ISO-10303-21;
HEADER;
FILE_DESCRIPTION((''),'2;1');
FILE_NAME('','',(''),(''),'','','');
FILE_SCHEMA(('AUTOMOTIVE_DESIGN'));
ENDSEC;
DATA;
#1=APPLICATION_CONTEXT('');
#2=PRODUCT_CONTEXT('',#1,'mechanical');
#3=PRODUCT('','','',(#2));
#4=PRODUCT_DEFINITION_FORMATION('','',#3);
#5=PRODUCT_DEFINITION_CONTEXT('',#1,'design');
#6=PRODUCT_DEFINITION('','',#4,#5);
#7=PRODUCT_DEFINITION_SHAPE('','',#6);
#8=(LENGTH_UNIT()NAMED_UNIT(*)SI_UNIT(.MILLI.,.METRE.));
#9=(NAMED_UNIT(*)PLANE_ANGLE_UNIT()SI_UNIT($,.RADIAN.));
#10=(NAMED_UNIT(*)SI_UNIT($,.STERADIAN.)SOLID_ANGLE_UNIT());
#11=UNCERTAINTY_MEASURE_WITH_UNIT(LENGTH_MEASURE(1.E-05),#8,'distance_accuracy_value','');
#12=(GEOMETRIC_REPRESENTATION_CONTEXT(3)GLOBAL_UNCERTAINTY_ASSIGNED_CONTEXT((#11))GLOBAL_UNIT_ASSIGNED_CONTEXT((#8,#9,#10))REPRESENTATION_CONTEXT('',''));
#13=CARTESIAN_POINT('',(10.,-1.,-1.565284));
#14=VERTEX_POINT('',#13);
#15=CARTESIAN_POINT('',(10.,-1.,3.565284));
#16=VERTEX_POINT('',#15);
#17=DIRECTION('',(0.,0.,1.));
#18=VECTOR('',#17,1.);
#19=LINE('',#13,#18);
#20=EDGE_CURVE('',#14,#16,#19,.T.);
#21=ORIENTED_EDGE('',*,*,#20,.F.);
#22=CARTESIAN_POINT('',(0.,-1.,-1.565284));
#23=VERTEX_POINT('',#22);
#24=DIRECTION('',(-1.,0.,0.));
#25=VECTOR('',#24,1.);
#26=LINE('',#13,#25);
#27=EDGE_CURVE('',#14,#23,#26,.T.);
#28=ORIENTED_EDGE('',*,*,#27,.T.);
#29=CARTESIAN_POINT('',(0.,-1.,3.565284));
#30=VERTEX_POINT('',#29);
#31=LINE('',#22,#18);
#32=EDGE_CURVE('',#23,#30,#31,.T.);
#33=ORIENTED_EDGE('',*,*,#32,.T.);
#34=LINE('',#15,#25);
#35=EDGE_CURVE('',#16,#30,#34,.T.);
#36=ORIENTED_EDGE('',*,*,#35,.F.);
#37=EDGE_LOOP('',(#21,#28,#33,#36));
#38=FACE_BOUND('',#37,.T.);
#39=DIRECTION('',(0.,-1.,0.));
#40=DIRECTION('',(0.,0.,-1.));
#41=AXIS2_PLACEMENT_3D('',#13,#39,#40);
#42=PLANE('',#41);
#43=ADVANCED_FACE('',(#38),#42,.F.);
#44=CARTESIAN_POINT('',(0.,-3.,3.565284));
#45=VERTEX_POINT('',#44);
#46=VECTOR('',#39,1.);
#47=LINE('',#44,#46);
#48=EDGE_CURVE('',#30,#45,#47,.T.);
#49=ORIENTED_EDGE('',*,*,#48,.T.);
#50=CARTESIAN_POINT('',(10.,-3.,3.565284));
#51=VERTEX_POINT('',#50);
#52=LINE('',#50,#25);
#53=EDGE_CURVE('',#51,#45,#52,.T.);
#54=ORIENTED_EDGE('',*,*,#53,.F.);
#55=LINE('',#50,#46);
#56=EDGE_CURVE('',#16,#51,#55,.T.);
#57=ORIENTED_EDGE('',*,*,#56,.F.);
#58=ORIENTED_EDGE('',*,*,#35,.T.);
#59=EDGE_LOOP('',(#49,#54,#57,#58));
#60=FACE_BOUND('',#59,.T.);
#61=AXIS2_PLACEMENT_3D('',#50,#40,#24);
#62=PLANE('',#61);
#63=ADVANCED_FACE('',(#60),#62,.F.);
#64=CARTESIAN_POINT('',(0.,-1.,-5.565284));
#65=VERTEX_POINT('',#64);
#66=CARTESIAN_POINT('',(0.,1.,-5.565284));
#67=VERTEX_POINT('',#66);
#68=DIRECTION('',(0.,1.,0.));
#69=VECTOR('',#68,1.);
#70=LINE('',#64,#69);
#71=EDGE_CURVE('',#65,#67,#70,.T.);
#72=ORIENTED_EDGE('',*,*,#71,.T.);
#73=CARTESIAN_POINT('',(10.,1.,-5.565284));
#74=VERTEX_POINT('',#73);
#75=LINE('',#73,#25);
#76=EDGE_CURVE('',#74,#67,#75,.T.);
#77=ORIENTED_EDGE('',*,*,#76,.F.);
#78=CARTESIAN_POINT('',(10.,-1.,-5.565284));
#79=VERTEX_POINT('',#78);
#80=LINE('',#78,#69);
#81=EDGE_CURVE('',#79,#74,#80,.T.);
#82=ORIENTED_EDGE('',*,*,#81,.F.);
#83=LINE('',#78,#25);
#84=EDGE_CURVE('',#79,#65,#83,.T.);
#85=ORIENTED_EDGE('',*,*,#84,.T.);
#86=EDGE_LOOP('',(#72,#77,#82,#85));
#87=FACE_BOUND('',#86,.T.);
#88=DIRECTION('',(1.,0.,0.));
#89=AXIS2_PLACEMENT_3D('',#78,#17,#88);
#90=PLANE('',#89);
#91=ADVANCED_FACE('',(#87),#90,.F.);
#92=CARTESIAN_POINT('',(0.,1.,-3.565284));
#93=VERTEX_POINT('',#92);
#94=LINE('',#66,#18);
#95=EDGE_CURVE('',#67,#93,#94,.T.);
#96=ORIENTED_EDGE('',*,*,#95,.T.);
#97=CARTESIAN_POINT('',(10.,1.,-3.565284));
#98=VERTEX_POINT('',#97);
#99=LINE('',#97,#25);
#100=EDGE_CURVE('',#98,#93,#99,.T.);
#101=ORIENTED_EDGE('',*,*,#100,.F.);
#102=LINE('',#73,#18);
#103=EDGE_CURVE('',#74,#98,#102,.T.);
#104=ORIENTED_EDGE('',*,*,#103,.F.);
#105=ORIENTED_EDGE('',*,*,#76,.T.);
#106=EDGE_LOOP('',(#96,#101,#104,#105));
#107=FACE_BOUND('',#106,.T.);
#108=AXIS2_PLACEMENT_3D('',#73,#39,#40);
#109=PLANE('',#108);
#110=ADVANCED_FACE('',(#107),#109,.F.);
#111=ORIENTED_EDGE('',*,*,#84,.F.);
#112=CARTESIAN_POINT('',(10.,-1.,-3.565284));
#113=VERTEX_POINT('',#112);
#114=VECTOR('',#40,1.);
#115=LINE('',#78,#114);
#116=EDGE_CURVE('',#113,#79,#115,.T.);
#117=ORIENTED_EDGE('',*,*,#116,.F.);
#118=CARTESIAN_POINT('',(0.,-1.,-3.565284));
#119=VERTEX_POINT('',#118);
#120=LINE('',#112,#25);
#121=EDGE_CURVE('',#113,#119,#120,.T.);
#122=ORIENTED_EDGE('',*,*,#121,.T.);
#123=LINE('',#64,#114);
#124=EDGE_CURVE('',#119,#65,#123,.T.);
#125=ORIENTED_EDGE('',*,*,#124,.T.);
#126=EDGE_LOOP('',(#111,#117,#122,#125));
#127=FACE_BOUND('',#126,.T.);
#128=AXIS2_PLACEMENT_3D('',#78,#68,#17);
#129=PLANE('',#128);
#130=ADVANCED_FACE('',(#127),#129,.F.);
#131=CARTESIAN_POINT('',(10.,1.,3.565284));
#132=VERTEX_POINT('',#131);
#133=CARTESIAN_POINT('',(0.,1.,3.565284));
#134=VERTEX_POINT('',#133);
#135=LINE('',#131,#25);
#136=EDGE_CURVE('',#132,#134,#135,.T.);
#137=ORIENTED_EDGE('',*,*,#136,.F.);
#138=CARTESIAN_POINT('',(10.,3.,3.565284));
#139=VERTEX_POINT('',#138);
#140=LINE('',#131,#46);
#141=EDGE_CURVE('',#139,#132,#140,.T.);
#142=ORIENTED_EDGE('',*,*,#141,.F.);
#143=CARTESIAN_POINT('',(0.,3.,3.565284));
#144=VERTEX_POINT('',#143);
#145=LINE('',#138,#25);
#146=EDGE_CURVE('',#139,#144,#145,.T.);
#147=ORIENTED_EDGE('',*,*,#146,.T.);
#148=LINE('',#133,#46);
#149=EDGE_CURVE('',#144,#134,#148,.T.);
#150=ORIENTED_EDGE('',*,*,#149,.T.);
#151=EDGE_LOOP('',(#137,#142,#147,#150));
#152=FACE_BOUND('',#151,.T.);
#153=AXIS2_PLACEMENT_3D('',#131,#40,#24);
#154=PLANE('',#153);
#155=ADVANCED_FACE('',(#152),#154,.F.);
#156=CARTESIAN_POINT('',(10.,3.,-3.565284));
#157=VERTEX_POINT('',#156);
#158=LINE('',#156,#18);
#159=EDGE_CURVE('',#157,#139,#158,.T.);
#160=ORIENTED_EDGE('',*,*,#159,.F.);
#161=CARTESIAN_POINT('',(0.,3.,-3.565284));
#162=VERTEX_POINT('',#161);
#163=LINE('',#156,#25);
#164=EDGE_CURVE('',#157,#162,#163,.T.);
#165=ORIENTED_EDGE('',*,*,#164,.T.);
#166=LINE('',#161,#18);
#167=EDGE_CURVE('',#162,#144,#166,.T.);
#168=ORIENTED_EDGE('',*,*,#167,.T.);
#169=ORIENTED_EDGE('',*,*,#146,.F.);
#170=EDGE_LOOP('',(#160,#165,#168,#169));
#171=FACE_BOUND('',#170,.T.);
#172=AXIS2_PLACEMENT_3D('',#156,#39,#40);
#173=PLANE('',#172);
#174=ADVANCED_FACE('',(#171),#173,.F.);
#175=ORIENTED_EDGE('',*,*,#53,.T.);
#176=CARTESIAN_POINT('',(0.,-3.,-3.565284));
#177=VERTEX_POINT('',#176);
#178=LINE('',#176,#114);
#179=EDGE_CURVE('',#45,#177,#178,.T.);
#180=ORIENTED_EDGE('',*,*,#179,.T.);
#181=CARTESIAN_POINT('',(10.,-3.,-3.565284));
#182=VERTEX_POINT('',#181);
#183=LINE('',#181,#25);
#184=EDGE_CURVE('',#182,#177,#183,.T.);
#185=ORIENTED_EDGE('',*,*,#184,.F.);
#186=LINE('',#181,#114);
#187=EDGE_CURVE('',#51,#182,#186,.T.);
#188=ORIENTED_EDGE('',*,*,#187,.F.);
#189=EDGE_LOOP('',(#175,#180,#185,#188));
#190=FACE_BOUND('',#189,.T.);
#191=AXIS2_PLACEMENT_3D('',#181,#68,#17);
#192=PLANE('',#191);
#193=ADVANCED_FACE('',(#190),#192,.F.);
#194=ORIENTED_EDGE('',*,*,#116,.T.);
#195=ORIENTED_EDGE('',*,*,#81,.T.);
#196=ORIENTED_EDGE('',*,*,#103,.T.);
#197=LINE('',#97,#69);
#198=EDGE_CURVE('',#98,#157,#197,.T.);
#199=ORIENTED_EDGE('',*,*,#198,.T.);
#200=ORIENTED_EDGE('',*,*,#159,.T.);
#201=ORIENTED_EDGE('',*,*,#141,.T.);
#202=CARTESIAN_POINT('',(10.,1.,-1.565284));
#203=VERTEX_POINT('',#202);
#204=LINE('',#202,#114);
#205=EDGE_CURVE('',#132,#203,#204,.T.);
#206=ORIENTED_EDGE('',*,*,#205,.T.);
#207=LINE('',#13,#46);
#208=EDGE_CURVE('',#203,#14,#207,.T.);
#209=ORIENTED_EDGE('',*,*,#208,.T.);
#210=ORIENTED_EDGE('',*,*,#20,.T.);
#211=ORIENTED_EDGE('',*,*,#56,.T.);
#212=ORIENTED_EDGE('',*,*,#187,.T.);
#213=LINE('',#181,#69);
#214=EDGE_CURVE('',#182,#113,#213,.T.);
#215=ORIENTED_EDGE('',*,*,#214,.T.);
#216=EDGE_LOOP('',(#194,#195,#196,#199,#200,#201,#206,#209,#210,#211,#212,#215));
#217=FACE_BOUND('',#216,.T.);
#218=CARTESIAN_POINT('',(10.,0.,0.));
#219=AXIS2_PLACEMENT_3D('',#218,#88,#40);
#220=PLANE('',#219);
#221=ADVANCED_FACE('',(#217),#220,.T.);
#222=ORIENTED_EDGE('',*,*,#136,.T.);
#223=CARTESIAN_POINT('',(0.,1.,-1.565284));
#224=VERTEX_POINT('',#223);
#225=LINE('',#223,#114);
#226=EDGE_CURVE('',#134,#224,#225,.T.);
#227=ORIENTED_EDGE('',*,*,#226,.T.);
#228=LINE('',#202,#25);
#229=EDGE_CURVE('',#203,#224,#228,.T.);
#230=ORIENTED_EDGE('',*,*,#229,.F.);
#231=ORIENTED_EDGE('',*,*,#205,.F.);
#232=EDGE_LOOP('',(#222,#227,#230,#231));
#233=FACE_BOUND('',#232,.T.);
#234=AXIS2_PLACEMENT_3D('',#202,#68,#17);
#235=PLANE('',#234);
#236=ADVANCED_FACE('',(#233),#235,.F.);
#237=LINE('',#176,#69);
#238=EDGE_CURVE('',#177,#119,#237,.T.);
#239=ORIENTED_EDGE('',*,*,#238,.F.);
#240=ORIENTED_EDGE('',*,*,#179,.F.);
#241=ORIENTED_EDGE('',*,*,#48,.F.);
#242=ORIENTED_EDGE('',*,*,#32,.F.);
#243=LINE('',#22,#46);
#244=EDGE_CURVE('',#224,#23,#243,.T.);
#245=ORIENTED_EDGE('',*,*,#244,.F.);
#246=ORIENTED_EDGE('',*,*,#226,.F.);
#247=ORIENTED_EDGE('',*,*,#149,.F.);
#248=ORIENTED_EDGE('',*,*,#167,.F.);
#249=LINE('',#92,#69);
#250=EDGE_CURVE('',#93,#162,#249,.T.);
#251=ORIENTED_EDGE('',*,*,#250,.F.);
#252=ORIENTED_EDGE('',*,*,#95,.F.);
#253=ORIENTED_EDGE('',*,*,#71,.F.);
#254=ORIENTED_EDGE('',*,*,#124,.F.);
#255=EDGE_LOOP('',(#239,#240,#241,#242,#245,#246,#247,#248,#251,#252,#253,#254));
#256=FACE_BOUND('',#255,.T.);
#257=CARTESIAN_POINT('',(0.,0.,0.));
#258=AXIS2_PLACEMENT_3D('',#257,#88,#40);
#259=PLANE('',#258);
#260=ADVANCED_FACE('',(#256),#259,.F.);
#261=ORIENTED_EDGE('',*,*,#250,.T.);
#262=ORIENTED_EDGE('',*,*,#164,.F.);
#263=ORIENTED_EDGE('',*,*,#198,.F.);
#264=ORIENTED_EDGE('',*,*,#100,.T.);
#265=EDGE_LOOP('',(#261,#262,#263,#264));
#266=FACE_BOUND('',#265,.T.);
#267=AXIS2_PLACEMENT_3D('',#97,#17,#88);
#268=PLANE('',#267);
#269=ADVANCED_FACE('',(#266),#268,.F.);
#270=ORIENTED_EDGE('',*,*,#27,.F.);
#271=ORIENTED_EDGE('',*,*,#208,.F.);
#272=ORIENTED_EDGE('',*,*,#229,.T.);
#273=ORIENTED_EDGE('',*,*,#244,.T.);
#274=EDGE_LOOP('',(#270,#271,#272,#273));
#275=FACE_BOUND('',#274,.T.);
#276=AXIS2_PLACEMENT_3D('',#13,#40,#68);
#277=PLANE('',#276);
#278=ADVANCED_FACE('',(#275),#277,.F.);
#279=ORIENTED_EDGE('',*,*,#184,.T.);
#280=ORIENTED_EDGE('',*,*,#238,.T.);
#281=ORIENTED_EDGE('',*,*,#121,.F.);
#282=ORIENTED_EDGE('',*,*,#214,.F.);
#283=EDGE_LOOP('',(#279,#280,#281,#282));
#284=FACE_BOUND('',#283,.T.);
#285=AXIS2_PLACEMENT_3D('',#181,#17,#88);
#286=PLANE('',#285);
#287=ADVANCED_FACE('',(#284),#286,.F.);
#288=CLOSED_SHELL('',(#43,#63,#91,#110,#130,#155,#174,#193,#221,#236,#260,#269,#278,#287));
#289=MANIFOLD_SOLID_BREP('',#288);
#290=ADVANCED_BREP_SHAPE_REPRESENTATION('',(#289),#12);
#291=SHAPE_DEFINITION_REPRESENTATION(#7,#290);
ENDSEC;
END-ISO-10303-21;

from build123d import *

# Parameters (mm, degrees)
BOSS_EXTRUDE1_DEPTH = 10


with BuildPart() as part:
    # Sketch1 → Boss-Extrude1 (new body)
    with BuildSketch(Plane(origin=(0, 0, 0), x_dir=(0, 0, -1), z_dir=(1, 0, 0))):
        Polygon((3.565284374, -3), (-3.565284374, -3), (-3.565284374, -1), (1.565284374, -1), (1.565284374, 1), (-3.565284374, 1), (-3.565284374, 3), (3.565284374, 3), (3.565284374, 1), (5.565284374, 1), (5.565284374, -1), (3.565284374, -1), align=None)
    extrude(amount=BOSS_EXTRUDE1_DEPTH)


solid = part.part
